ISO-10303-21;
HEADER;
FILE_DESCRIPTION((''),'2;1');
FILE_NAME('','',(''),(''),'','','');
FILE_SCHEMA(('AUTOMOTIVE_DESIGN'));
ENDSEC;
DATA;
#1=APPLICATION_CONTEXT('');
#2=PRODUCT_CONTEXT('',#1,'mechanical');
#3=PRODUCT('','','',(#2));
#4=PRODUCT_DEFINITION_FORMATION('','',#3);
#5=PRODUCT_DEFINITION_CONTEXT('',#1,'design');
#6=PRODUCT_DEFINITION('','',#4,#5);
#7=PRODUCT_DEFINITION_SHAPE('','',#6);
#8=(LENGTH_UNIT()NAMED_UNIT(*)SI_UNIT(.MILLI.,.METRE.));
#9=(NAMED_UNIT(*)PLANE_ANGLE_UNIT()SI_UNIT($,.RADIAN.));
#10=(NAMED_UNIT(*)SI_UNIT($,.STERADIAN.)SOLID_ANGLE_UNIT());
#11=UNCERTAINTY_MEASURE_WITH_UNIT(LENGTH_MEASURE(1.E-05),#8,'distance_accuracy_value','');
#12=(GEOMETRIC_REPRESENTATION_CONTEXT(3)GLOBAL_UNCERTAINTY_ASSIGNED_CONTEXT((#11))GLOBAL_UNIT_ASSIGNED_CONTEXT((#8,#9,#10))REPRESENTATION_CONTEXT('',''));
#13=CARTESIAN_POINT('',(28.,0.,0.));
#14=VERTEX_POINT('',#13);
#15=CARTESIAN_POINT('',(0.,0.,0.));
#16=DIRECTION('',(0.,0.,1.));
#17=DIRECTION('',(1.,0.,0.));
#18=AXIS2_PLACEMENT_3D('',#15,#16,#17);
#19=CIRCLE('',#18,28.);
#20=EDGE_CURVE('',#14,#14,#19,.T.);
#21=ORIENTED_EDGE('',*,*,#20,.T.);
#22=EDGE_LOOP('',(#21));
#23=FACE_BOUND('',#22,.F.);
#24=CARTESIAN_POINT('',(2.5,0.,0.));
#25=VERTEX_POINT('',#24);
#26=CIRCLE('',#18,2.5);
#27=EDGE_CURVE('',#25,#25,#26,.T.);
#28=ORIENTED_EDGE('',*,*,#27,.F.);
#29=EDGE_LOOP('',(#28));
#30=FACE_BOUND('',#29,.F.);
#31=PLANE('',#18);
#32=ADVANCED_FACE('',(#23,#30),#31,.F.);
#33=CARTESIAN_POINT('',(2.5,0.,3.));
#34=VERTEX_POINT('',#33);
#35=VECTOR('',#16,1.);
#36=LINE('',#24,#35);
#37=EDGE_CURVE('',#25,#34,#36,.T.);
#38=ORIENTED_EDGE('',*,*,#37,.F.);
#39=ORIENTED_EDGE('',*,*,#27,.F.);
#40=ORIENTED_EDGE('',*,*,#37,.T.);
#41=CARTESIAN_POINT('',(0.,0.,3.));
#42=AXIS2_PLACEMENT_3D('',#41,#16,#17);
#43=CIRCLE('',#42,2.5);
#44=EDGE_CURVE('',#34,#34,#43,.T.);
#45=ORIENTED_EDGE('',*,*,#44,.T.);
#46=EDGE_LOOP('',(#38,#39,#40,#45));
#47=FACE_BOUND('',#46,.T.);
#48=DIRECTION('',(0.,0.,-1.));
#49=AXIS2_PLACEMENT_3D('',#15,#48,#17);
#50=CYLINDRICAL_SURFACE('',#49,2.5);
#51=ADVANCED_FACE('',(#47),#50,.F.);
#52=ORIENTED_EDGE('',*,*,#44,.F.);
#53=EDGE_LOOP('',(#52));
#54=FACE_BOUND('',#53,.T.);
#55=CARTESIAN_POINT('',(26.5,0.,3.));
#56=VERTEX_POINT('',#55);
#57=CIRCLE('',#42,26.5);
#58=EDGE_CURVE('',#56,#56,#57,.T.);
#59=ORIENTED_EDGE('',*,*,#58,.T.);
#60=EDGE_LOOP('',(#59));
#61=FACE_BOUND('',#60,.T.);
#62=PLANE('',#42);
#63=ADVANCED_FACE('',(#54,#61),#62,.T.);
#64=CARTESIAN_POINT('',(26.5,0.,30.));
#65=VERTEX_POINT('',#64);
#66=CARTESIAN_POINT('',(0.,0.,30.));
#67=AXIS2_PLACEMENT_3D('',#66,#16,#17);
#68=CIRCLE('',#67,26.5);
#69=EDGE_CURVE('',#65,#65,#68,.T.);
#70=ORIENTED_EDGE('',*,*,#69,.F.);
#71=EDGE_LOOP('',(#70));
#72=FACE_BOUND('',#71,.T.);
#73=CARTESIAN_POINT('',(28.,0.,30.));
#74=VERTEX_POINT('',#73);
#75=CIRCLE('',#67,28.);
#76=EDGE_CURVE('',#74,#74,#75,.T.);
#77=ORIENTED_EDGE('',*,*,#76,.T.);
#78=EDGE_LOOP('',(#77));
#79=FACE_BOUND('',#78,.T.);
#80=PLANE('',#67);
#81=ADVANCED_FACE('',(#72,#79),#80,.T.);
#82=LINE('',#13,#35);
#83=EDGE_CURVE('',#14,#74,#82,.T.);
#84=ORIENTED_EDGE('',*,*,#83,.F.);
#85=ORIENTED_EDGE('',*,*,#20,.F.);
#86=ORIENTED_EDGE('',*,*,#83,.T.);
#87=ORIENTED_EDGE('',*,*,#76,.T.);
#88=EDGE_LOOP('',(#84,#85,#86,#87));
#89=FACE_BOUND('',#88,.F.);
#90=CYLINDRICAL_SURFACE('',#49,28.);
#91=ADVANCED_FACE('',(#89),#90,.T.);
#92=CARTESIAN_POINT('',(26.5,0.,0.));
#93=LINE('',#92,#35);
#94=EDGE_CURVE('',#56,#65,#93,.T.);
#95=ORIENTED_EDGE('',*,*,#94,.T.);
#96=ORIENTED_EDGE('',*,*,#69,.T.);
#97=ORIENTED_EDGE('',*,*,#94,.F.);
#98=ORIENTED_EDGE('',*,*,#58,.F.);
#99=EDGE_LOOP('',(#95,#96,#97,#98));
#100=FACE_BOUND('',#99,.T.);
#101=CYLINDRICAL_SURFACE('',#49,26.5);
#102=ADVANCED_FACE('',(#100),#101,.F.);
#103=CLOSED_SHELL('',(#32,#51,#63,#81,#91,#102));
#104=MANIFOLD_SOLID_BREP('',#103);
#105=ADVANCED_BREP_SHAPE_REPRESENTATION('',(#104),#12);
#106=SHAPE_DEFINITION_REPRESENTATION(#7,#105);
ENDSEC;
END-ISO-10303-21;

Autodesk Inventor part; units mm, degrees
ref_plane "YZ Plane" through (0, 0, 0) normal (1, 0, 0) x (0, 1, 0)
ref_plane "XZ Plane" through (0, 0, 0) normal (0, 1, 0) x (-1, 0, 0)
ref_plane "XY Plane" through (0, 0, 0) normal (0, 0, 1) x (1, 0, 0)
sketch "Эскиз1" plane through (0, 0, 0) normal (0, 0, 1) x (1, 0, 0)
  circle A0 centre (0, 0) radius 25 construction
  circle A1 centre (0, 0) radius 2.5
  circle A2 centre (0, 0) radius 26.5
  circle A3 centre (0, 0) radius 28
  dimension "d0" = 50
  dimension "d1" = 5
  dimension "d2" = 53
  dimension "d3" = 56
extrude "Выдавливание1" add sketch "Эскиз1" along normal blind 3 contours A2
extrude "Выдавливание2" add sketch "Эскиз1" along normal blind 30 contours A3
properties part number "Jacket for wheel"
